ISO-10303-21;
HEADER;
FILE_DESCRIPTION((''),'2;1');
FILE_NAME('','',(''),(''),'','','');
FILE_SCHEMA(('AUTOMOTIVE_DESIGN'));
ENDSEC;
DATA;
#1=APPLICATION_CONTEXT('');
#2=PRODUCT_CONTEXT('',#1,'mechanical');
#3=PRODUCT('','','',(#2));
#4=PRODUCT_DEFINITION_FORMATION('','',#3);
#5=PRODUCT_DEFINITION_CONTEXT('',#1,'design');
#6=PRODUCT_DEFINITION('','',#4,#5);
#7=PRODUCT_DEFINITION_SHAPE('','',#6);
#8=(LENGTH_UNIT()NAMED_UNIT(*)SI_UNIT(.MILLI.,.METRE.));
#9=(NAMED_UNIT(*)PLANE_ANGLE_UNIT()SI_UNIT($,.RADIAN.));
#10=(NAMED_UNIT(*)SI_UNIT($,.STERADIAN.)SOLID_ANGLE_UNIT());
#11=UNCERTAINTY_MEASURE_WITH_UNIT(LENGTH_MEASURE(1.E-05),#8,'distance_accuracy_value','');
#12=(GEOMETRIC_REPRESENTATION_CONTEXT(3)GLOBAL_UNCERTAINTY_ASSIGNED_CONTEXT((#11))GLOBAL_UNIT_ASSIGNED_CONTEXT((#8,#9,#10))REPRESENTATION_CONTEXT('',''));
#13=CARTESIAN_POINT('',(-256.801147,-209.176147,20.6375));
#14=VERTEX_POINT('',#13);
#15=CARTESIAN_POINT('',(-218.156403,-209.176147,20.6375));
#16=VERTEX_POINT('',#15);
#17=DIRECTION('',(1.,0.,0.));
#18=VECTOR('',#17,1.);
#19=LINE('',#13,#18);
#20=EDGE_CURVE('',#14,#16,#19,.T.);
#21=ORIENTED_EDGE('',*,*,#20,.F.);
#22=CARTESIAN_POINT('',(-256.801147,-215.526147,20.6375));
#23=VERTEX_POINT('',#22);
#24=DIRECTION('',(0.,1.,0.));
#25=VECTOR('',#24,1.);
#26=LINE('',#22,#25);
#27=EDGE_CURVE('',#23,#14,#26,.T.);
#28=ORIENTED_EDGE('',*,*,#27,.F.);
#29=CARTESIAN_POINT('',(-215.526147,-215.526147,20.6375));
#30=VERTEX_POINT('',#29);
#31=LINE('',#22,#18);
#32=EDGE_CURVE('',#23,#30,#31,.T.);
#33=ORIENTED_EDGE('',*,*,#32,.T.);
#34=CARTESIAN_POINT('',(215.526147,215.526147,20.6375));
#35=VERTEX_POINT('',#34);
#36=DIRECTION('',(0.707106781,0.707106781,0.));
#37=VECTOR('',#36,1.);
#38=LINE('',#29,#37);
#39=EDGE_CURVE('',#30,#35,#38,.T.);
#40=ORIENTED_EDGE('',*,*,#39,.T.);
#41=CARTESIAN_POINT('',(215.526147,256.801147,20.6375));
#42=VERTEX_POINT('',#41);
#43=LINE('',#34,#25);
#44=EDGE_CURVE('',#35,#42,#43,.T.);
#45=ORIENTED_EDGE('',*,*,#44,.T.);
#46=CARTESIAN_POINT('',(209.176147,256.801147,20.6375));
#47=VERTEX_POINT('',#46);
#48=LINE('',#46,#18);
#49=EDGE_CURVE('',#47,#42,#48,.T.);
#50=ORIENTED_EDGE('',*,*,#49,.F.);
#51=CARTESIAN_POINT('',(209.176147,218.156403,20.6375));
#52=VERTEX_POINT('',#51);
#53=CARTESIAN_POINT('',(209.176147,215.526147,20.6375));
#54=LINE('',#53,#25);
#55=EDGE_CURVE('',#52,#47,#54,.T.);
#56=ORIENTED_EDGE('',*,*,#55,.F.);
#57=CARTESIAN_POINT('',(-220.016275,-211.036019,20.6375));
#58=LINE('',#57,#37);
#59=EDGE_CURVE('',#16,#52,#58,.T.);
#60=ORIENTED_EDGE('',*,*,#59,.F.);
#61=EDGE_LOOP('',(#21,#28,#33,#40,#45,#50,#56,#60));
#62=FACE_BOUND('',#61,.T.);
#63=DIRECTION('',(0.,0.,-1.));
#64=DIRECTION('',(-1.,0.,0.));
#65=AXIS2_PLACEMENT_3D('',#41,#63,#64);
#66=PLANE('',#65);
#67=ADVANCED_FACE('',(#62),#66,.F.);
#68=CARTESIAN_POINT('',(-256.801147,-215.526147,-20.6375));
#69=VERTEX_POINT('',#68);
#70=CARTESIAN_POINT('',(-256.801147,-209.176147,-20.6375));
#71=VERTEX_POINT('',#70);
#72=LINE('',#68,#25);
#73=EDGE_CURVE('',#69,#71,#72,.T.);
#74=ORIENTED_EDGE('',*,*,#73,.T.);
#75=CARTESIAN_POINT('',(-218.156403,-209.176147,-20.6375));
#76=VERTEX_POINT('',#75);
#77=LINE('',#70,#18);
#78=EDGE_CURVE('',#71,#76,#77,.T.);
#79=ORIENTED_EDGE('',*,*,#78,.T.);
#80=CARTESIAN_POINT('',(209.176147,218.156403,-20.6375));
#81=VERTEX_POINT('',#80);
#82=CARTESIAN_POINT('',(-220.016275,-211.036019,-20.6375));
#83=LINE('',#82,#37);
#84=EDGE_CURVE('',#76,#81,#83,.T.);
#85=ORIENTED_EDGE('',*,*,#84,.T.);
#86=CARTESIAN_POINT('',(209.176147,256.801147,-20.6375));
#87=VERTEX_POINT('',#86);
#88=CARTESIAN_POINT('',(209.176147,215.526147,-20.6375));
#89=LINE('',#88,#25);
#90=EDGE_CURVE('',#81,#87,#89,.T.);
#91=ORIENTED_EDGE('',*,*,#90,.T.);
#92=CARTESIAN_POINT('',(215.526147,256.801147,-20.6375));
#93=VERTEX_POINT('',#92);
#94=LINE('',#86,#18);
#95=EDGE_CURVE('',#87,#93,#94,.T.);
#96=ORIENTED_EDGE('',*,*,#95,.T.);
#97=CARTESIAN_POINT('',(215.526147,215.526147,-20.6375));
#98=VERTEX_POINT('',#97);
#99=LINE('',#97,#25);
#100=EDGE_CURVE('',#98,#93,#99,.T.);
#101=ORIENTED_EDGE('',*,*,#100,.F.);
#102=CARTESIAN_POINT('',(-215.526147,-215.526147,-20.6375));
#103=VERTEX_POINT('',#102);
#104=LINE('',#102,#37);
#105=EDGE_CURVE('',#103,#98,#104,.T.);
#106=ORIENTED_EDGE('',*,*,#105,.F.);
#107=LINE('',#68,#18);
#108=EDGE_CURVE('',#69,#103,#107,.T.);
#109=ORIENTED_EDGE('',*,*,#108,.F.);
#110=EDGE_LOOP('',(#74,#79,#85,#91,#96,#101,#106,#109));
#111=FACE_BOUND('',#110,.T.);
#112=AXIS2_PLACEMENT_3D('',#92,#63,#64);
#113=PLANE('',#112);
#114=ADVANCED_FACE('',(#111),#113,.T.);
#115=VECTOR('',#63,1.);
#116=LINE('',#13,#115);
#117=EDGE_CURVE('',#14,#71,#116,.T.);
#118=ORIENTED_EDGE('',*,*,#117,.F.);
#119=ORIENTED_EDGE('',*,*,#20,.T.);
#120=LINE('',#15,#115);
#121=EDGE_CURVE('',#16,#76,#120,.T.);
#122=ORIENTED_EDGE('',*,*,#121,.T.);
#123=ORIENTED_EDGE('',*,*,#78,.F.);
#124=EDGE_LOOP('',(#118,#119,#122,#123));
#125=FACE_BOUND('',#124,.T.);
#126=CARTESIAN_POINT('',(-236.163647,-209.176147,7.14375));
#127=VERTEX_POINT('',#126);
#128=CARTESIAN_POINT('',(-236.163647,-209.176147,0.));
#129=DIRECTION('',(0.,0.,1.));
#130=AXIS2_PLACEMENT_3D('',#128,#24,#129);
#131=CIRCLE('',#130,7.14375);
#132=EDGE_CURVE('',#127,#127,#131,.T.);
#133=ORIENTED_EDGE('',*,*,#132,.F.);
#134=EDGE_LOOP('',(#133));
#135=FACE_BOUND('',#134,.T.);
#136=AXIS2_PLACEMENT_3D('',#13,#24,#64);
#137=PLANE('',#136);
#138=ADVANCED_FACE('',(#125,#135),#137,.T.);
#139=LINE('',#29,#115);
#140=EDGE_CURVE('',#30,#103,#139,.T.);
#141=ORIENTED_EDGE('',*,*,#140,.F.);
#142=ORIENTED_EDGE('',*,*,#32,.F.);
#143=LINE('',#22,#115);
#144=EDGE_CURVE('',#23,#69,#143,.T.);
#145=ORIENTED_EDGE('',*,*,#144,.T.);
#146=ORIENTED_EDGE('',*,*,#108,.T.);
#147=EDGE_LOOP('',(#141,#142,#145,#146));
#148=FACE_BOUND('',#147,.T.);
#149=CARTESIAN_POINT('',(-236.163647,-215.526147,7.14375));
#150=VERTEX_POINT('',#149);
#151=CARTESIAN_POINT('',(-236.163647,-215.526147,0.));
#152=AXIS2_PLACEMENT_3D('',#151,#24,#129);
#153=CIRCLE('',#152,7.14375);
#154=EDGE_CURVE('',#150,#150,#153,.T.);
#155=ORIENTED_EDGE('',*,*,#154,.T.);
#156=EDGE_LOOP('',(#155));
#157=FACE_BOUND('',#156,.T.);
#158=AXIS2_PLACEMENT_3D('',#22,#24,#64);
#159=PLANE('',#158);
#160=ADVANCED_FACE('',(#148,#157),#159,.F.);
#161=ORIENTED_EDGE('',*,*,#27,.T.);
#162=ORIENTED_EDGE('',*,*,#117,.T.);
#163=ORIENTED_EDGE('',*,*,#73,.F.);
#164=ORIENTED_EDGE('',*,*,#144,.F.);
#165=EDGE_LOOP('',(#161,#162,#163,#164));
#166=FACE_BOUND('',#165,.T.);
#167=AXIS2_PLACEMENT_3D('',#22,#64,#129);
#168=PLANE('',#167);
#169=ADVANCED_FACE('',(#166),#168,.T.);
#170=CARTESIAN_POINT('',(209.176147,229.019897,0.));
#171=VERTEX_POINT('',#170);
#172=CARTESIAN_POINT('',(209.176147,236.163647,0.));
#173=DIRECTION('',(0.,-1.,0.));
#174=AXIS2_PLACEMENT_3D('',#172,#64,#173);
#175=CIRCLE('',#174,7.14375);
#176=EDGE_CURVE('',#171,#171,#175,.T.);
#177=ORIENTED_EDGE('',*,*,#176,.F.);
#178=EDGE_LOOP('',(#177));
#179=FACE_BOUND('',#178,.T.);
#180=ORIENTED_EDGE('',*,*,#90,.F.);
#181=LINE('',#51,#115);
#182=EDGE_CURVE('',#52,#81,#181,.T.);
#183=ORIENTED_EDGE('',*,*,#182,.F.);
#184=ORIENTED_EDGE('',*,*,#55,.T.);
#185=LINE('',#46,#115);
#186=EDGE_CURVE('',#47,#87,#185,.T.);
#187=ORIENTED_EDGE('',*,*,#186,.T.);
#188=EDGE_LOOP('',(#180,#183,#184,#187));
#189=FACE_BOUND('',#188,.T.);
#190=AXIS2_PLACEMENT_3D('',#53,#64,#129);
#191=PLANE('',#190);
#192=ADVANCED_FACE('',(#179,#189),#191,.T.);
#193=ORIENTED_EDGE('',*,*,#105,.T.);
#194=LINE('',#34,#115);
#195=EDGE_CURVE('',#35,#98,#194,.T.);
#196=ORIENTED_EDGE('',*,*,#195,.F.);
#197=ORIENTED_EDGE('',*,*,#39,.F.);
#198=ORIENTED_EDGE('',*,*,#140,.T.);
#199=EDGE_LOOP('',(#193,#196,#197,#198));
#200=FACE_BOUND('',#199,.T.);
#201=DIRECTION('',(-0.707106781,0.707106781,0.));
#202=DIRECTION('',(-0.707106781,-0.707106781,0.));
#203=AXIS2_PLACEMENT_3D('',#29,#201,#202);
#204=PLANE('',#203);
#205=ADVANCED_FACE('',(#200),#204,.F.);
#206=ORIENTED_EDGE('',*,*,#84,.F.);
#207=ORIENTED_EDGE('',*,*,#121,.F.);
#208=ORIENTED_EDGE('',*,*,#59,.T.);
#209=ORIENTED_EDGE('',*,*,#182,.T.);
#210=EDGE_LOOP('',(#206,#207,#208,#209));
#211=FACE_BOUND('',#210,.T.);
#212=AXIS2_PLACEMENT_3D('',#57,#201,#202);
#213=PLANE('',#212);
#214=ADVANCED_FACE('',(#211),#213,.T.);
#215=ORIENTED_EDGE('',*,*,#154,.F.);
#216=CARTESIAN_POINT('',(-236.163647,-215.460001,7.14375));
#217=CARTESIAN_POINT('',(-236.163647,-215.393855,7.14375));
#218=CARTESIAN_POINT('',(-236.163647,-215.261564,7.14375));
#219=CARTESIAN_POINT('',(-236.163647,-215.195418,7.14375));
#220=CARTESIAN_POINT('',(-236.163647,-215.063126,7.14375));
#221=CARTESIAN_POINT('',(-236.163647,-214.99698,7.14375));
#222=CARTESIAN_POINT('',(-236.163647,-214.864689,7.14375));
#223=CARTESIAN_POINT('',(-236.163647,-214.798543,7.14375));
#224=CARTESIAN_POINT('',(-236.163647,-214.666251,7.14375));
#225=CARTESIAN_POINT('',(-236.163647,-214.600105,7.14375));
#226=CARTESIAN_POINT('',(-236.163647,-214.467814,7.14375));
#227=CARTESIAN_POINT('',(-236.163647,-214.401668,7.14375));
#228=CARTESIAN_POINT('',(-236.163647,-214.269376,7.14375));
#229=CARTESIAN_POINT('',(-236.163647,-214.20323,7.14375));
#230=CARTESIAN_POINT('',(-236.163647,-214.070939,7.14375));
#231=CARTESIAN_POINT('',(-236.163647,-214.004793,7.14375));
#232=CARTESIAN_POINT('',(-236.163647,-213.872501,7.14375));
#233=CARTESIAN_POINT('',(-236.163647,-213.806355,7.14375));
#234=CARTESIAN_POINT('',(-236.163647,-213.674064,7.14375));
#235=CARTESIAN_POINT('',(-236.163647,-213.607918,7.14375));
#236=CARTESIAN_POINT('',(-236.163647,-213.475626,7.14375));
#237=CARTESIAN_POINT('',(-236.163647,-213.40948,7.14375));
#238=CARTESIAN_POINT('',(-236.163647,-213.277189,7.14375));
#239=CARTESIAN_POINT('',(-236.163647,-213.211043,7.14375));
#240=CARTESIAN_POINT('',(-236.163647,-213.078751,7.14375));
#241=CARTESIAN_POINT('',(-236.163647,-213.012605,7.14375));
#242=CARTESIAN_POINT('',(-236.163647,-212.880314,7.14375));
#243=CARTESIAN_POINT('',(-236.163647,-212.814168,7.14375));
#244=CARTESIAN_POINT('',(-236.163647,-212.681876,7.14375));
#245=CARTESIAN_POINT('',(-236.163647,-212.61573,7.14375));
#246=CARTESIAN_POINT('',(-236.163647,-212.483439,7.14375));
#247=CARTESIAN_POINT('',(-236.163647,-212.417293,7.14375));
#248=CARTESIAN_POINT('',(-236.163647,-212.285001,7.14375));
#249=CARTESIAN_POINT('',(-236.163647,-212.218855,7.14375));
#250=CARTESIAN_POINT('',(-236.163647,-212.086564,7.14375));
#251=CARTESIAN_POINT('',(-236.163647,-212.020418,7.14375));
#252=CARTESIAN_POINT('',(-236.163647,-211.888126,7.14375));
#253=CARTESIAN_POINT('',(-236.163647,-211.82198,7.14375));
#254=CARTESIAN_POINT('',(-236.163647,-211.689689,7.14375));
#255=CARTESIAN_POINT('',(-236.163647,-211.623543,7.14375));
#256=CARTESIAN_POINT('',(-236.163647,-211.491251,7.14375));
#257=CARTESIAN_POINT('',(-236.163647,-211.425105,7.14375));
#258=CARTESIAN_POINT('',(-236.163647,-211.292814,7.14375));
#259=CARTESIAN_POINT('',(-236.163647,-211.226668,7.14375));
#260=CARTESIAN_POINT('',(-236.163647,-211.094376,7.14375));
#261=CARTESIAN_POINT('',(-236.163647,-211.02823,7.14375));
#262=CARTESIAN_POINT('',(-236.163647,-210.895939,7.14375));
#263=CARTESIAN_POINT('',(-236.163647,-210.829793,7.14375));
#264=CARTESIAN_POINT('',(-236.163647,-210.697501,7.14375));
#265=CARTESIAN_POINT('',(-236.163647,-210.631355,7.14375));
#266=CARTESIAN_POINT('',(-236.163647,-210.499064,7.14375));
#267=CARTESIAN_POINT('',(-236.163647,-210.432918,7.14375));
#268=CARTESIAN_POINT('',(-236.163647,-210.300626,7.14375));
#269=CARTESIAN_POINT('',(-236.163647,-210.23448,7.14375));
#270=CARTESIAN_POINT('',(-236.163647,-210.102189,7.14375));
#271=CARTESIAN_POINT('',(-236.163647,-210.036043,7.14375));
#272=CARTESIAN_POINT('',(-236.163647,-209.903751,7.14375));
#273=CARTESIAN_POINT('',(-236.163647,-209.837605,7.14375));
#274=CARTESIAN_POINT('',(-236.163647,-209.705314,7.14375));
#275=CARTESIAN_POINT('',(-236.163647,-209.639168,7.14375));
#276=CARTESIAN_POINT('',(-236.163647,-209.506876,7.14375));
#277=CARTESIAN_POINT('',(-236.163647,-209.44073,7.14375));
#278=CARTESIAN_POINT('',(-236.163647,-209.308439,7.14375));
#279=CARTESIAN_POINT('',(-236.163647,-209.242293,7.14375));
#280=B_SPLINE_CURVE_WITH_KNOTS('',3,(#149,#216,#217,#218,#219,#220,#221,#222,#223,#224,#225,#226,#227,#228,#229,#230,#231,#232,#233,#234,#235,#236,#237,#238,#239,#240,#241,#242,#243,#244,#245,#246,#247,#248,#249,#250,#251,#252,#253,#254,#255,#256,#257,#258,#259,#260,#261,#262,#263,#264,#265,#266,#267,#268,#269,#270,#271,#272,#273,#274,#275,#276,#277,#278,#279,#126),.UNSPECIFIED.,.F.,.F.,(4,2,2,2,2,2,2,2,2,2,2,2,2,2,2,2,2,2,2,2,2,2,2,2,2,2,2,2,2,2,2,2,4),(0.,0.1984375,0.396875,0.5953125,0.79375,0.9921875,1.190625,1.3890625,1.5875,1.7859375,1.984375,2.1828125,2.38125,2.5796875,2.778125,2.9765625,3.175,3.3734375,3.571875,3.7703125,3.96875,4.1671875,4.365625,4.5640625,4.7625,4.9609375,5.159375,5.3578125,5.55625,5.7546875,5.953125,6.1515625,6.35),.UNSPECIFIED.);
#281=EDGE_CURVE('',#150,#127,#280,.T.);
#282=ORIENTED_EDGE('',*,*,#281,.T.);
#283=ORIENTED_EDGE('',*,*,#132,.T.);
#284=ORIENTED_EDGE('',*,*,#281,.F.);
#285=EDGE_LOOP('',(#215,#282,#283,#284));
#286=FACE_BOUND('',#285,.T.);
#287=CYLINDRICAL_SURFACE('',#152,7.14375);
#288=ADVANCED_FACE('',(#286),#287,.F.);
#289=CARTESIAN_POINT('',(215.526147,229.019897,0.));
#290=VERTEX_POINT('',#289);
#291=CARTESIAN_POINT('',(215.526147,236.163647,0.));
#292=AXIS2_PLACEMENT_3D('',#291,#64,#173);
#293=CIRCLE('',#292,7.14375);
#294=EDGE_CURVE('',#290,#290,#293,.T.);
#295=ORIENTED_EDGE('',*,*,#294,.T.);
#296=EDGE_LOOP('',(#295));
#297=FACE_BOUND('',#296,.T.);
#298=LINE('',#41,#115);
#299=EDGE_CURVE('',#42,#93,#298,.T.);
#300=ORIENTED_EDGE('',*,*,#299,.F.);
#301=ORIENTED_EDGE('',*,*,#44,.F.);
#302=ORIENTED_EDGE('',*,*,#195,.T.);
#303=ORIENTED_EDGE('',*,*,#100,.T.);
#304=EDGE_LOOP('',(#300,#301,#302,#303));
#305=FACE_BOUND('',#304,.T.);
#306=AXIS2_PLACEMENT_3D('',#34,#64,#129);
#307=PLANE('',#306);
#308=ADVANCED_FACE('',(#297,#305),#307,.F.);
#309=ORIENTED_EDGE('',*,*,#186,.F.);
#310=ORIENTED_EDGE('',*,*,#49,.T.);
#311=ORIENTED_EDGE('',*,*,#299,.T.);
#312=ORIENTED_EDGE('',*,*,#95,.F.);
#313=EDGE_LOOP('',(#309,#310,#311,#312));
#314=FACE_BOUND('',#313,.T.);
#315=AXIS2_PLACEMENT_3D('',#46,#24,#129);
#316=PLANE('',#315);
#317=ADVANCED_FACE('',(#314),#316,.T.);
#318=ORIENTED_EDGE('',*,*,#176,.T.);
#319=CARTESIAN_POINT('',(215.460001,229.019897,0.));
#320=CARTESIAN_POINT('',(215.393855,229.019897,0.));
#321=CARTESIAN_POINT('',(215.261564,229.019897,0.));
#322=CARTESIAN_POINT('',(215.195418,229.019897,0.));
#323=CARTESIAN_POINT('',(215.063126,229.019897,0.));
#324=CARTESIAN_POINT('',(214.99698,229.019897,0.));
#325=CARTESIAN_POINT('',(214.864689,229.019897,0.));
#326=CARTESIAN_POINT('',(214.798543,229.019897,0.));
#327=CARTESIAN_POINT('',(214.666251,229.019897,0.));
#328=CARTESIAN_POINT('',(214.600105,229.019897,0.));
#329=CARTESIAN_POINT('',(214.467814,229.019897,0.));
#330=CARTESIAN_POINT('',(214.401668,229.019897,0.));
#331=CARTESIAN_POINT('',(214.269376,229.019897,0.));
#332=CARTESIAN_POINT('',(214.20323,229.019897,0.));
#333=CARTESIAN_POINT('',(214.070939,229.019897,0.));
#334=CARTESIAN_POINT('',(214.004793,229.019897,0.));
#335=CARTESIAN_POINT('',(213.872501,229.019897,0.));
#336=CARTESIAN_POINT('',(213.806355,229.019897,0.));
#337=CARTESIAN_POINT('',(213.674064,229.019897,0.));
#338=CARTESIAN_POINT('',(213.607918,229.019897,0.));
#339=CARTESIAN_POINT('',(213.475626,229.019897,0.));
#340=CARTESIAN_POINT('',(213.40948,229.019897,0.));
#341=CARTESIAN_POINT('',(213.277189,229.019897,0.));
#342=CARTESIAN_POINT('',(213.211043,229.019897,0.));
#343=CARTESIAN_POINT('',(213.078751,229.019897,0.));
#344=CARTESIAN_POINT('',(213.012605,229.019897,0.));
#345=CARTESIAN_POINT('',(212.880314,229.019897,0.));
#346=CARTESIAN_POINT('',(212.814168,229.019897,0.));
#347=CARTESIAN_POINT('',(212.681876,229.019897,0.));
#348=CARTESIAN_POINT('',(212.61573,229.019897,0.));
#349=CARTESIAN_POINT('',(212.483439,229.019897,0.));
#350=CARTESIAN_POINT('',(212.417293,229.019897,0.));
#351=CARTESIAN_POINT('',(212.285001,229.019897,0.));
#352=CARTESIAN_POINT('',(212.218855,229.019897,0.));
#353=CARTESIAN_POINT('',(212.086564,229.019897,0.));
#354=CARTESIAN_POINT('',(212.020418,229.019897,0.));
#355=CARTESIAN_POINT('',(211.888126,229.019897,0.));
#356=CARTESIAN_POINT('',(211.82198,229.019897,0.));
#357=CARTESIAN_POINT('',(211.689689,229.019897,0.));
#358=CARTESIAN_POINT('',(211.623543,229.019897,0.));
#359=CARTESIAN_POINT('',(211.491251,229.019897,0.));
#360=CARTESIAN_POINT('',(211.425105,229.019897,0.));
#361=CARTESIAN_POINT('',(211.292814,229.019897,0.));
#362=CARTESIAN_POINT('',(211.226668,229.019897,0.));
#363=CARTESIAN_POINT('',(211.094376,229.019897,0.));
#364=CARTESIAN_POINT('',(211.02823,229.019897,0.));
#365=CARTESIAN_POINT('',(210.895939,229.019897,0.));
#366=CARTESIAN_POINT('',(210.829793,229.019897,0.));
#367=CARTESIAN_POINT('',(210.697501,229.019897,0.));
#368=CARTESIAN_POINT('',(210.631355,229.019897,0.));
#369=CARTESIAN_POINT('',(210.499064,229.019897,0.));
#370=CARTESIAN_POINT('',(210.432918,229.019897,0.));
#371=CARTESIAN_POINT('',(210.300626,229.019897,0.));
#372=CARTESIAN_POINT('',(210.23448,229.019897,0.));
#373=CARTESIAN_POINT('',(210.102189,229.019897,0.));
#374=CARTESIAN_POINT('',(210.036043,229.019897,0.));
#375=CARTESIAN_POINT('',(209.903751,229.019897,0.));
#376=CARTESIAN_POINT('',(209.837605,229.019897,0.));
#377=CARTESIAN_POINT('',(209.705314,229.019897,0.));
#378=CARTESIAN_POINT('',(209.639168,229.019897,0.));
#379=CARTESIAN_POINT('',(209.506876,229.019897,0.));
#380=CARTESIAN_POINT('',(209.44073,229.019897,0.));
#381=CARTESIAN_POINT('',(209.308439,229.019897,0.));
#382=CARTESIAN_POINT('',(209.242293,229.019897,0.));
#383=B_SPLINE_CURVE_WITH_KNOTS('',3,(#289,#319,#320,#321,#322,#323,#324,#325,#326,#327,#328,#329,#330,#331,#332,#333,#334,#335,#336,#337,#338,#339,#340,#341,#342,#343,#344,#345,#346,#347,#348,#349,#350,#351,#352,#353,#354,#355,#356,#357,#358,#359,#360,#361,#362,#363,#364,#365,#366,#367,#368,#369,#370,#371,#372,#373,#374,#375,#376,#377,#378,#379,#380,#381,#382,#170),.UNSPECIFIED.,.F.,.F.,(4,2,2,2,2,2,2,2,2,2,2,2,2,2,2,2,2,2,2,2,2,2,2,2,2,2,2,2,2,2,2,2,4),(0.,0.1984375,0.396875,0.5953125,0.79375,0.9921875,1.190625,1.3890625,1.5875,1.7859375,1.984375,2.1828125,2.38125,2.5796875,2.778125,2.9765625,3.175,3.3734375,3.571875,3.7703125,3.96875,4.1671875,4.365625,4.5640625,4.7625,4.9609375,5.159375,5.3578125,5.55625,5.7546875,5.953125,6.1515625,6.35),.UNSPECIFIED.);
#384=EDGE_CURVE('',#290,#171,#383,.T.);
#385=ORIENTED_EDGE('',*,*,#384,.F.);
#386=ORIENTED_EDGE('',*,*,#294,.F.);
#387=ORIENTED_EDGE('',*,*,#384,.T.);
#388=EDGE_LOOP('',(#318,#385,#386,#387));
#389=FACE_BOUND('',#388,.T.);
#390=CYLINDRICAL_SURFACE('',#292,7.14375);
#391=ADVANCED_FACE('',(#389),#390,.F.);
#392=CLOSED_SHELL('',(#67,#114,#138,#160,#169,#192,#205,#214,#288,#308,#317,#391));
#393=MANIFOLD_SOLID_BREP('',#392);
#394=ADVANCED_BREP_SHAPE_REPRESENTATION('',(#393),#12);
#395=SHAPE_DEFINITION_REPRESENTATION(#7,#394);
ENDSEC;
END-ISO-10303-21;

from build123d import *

# Parameters (mm, degrees)
EXTRUDE_THIN1_DEPTH = 20.6375
SKETCH2_R           = 7.14375
CUT_EXTRUDE1_DEPTH  = 533.454292692
SKETCH3_R           = 7.14375
CUT_EXTRUDE2_DEPTH  = 533.454292692


with BuildPart() as part:
    # Sketch1 → Extrude-Thin1 (new, symmetric)
    with BuildSketch(Plane.XY):
        Polygon((-256.801146906, -215.526146906), (-215.526146906, -215.526146906), (215.526146906, 215.526146906), (215.526146906, 256.801146906), (209.176146906, 256.801146906), (209.176146906, 218.156403027), (-218.156403027, -209.176146906), (-256.801146906, -209.176146906), align=None)
    extrude(amount=EXTRUDE_THIN1_DEPTH, both=True)

    # Sketch2 → Cut-Extrude1 (cut, through all)
    with BuildSketch(Plane(origin=(0, -209.176146906, 0), x_dir=(1, 0, 0), z_dir=(0, 1, 0))):
        with Locations(Location((-236.163646906, 0, 0), (0, 0, 270))):
            Circle(SKETCH2_R)
    extrude(amount=-CUT_EXTRUDE1_DEPTH, mode=Mode.SUBTRACT)

    # Sketch3 → Cut-Extrude2 (cut, through all)
    with BuildSketch(Plane.ZY.offset(-209.176146906)):
        with Locations(Location((0, 236.163646906, 0), (0, 0, 270))):
            Circle(SKETCH3_R)
    extrude(amount=-CUT_EXTRUDE2_DEPTH, mode=Mode.SUBTRACT)


solid = part.part
